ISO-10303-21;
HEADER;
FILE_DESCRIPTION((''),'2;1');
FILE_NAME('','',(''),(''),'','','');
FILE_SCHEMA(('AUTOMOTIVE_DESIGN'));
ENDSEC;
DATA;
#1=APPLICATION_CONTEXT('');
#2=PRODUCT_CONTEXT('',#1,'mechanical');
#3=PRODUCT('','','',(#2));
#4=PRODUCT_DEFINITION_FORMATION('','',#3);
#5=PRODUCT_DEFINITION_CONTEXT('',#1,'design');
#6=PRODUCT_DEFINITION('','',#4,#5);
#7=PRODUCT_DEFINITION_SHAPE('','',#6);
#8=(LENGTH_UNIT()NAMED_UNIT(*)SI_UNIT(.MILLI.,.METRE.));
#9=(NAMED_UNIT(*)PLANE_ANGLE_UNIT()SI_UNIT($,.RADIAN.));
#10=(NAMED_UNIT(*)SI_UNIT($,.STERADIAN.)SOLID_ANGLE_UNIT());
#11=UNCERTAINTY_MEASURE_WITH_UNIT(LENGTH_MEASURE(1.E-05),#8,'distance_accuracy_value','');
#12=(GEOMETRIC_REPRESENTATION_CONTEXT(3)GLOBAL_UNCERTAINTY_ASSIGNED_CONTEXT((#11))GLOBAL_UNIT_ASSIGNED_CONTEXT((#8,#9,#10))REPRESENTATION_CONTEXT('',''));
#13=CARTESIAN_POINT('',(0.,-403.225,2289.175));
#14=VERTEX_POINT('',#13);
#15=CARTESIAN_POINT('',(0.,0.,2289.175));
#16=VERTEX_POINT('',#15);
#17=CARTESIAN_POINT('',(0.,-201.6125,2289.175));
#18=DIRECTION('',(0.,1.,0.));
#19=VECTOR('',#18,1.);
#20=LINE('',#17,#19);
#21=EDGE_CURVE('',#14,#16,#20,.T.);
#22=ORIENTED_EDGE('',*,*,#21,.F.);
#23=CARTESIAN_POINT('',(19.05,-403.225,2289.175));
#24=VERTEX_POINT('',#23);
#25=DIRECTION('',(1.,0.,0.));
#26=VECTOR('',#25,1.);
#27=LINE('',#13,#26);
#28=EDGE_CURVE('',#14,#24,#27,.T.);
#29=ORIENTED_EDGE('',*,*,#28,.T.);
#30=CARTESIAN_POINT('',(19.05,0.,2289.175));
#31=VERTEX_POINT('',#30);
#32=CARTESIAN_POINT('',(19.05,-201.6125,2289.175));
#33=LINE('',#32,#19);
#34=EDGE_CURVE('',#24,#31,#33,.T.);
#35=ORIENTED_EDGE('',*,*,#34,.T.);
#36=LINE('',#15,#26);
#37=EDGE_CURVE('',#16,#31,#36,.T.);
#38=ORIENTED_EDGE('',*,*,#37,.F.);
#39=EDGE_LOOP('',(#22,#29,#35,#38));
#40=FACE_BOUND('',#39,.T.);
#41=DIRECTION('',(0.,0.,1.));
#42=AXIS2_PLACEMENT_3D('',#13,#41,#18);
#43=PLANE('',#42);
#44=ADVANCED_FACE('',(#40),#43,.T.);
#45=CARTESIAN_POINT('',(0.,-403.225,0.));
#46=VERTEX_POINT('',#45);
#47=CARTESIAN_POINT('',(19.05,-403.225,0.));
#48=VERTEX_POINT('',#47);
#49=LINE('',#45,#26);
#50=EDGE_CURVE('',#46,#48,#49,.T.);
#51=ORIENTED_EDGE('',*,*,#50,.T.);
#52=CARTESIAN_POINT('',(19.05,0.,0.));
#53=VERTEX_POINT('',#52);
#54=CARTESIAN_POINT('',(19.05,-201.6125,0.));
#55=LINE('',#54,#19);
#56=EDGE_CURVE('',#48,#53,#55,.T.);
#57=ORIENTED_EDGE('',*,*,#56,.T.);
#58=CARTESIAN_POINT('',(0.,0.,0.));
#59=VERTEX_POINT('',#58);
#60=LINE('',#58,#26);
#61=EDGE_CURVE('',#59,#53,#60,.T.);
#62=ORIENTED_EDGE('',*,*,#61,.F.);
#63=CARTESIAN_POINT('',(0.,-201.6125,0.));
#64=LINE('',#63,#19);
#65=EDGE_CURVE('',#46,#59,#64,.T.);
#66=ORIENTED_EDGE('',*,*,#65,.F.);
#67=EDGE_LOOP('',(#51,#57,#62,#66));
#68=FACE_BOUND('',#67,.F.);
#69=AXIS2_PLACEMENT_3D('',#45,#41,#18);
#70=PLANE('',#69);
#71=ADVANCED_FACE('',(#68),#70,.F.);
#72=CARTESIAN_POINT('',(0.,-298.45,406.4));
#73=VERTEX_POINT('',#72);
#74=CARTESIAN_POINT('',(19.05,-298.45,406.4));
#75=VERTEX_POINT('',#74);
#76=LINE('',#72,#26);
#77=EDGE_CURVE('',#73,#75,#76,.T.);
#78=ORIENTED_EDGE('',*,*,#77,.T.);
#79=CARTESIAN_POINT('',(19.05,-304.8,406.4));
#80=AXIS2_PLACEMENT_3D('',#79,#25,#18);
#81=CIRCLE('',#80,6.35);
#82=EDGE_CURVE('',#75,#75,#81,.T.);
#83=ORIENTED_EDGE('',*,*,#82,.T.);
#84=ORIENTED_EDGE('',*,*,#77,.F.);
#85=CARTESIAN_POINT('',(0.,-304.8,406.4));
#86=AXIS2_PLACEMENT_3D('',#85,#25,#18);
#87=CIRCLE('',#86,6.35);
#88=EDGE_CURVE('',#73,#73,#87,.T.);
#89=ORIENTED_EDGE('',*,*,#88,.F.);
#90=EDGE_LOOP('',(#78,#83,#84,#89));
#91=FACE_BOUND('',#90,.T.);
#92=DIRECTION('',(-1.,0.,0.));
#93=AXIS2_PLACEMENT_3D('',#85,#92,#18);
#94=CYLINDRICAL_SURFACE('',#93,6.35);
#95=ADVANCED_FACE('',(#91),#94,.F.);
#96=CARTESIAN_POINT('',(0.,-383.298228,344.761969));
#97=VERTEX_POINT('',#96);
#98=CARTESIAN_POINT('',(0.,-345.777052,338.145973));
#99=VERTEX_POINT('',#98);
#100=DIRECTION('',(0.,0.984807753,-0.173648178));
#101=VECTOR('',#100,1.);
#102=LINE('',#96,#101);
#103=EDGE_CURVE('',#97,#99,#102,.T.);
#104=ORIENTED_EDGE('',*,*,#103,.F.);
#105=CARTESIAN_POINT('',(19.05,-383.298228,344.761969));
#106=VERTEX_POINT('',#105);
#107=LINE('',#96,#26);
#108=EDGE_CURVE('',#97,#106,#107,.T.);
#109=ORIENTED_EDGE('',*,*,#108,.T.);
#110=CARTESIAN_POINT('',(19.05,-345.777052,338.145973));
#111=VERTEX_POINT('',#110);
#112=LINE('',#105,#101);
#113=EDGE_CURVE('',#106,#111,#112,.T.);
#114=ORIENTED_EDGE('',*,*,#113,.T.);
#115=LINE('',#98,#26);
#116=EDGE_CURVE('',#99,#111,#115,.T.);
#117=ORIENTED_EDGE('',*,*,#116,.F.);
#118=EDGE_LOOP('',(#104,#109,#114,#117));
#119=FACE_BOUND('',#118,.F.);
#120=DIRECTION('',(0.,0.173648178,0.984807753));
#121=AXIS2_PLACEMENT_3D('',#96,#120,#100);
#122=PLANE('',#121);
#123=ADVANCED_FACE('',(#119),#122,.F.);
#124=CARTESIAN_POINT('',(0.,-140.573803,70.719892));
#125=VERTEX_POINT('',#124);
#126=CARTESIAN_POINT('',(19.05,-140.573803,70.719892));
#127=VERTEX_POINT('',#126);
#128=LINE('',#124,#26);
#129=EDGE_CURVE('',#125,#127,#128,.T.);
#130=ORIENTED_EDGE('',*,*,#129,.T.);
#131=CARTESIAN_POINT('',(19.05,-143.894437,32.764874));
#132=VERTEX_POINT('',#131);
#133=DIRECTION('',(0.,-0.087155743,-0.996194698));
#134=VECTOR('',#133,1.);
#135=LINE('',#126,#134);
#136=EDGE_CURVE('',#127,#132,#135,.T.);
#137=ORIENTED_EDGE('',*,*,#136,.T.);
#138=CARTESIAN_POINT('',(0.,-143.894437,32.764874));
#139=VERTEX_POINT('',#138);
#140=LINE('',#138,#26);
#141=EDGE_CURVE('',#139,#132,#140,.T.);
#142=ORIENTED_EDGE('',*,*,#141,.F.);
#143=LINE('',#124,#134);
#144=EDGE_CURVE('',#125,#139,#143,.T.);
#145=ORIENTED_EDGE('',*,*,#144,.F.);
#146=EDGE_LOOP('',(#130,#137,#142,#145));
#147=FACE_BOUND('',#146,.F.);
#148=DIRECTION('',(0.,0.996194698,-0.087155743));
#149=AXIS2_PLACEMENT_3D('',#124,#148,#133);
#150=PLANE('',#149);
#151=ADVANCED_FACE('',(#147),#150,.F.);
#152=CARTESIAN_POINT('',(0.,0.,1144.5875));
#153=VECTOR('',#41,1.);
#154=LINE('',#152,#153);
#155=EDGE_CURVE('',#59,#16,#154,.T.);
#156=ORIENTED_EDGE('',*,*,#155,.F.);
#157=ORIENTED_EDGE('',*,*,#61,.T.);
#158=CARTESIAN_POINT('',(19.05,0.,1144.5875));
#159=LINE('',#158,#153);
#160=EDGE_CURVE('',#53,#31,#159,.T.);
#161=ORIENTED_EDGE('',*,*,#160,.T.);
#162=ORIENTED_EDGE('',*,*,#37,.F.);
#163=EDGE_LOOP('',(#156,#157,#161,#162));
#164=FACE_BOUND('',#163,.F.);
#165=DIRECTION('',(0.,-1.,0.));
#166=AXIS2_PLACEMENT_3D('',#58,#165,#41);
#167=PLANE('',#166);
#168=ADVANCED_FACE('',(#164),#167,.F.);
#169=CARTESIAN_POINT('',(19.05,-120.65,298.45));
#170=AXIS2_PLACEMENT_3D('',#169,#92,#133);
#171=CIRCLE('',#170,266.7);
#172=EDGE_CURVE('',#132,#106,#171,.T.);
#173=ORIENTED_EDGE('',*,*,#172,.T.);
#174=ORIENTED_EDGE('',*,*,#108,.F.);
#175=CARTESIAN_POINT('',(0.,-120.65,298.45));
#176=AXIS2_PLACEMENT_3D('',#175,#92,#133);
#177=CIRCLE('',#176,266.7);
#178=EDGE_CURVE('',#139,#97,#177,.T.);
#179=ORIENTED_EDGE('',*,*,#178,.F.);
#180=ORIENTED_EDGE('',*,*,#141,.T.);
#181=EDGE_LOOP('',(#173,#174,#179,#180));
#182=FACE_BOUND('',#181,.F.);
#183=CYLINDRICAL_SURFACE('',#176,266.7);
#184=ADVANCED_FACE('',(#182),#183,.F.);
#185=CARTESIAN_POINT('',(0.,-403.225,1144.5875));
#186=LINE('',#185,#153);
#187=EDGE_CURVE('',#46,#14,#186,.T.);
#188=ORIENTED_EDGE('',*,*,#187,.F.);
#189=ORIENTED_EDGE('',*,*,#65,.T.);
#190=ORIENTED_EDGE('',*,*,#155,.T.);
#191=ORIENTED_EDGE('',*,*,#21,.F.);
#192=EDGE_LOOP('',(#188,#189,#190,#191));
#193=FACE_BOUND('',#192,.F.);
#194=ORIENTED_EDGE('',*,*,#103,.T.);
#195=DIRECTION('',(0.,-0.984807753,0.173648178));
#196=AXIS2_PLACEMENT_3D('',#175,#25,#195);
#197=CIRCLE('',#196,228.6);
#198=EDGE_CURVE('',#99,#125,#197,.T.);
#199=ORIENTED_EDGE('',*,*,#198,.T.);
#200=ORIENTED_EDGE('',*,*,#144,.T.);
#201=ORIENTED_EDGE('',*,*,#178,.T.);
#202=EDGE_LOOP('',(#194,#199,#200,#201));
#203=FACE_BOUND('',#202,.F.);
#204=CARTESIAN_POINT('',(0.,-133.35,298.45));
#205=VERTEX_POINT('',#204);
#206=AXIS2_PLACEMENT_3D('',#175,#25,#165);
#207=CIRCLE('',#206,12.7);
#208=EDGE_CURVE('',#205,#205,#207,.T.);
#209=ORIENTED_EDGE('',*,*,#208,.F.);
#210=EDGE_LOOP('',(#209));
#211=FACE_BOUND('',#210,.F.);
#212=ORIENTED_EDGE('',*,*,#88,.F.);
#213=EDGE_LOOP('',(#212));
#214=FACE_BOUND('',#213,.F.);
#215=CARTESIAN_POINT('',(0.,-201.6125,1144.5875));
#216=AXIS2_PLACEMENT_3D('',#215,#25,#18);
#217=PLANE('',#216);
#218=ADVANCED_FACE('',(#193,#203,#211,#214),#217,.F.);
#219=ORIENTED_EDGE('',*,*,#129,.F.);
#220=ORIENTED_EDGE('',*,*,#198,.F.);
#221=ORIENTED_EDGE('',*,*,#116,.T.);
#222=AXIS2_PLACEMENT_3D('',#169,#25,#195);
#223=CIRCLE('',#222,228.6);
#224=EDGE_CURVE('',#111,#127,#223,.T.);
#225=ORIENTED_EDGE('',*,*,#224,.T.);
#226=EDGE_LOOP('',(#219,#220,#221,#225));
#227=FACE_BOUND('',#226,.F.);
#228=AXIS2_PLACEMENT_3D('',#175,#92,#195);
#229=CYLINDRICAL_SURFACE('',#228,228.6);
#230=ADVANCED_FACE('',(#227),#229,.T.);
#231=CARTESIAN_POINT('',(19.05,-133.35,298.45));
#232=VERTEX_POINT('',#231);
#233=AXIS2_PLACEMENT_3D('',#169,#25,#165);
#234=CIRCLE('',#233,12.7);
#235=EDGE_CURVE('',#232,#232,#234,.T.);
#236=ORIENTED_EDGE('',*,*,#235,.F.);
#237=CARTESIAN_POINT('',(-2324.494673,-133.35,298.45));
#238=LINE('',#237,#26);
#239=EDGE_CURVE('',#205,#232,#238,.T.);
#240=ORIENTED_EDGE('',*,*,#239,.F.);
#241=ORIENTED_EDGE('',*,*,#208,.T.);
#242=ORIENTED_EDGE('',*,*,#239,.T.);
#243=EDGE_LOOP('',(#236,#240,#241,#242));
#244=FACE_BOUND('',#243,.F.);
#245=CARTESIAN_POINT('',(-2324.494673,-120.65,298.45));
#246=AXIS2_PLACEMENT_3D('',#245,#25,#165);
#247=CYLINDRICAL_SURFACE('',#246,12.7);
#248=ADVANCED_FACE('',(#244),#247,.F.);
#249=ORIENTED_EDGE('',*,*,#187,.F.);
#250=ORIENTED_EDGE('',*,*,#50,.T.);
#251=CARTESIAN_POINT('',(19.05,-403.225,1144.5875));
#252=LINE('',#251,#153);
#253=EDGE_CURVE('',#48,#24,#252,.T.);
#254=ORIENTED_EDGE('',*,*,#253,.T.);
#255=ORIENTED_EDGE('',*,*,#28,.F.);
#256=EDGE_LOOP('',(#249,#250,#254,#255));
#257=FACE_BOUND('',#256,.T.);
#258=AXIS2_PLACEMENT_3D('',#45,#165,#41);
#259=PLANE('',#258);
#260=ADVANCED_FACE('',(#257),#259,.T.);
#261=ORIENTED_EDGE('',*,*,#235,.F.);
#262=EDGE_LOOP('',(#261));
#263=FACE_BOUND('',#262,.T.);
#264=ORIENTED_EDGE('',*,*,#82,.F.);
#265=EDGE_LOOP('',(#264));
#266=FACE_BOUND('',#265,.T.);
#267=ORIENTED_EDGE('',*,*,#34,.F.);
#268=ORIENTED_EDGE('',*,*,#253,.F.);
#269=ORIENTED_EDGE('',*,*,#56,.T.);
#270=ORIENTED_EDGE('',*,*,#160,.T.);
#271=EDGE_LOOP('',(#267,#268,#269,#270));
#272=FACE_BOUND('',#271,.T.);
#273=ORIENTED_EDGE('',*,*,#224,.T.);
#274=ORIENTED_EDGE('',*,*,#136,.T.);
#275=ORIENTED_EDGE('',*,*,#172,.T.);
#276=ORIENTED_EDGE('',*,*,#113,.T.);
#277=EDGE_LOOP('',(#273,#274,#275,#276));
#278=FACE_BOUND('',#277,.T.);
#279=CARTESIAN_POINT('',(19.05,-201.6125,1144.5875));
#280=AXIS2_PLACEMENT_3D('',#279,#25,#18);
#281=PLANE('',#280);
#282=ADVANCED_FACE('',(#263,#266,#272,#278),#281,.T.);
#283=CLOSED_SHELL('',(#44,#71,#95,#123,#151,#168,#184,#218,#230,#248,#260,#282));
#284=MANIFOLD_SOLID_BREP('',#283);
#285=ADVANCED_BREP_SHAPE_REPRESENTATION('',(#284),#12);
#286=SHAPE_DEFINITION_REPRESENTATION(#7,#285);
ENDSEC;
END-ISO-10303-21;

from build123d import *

# Parameters (mm, degrees)
F0_W     = 403.225
F0_H     = 2289.175
F0_R     = 6.35
F1_DEPTH = 19.05
F2_D     = 25.4


with BuildPart() as f1:
    # F0 (on Right) → F1 (new body)
    with BuildSketch(Plane.YZ):
        with Locations((-201.6125, 1144.5875)):
            Rectangle(F0_W, F0_H)
        with Locations((-304.8, 406.4)):
            Circle(F0_R, mode=Mode.SUBTRACT)
        with BuildLine():
            Line((-383.2982277284, 344.7619689838), (-345.7770523386, 338.1459734147))
            ThreePointArc((-345.7770523386, 338.1459734147), (-302.0105735906, 159.2871373286), (-140.5738027921, 70.7198920162))
            Line((-140.5738027921, 70.7198920162), (-143.8944365908, 32.7648740189))
            ThreePointArc((-143.8944365908, 32.7648740189), (-332.2373358557, 136.0933268834), (-383.2982277284, 344.7619689838))
        make_face(mode=Mode.SUBTRACT)
    extrude(amount=F1_DEPTH)

    # F2 (through all)
    with Locations(Plane(origin=(0, 0, 0), x_dir=(0, 1, 0), z_dir=(-1, 0, 0))):
        with Locations((-120.65, -298.45)):
            Hole(F2_D / 2)


solid = f1.part
